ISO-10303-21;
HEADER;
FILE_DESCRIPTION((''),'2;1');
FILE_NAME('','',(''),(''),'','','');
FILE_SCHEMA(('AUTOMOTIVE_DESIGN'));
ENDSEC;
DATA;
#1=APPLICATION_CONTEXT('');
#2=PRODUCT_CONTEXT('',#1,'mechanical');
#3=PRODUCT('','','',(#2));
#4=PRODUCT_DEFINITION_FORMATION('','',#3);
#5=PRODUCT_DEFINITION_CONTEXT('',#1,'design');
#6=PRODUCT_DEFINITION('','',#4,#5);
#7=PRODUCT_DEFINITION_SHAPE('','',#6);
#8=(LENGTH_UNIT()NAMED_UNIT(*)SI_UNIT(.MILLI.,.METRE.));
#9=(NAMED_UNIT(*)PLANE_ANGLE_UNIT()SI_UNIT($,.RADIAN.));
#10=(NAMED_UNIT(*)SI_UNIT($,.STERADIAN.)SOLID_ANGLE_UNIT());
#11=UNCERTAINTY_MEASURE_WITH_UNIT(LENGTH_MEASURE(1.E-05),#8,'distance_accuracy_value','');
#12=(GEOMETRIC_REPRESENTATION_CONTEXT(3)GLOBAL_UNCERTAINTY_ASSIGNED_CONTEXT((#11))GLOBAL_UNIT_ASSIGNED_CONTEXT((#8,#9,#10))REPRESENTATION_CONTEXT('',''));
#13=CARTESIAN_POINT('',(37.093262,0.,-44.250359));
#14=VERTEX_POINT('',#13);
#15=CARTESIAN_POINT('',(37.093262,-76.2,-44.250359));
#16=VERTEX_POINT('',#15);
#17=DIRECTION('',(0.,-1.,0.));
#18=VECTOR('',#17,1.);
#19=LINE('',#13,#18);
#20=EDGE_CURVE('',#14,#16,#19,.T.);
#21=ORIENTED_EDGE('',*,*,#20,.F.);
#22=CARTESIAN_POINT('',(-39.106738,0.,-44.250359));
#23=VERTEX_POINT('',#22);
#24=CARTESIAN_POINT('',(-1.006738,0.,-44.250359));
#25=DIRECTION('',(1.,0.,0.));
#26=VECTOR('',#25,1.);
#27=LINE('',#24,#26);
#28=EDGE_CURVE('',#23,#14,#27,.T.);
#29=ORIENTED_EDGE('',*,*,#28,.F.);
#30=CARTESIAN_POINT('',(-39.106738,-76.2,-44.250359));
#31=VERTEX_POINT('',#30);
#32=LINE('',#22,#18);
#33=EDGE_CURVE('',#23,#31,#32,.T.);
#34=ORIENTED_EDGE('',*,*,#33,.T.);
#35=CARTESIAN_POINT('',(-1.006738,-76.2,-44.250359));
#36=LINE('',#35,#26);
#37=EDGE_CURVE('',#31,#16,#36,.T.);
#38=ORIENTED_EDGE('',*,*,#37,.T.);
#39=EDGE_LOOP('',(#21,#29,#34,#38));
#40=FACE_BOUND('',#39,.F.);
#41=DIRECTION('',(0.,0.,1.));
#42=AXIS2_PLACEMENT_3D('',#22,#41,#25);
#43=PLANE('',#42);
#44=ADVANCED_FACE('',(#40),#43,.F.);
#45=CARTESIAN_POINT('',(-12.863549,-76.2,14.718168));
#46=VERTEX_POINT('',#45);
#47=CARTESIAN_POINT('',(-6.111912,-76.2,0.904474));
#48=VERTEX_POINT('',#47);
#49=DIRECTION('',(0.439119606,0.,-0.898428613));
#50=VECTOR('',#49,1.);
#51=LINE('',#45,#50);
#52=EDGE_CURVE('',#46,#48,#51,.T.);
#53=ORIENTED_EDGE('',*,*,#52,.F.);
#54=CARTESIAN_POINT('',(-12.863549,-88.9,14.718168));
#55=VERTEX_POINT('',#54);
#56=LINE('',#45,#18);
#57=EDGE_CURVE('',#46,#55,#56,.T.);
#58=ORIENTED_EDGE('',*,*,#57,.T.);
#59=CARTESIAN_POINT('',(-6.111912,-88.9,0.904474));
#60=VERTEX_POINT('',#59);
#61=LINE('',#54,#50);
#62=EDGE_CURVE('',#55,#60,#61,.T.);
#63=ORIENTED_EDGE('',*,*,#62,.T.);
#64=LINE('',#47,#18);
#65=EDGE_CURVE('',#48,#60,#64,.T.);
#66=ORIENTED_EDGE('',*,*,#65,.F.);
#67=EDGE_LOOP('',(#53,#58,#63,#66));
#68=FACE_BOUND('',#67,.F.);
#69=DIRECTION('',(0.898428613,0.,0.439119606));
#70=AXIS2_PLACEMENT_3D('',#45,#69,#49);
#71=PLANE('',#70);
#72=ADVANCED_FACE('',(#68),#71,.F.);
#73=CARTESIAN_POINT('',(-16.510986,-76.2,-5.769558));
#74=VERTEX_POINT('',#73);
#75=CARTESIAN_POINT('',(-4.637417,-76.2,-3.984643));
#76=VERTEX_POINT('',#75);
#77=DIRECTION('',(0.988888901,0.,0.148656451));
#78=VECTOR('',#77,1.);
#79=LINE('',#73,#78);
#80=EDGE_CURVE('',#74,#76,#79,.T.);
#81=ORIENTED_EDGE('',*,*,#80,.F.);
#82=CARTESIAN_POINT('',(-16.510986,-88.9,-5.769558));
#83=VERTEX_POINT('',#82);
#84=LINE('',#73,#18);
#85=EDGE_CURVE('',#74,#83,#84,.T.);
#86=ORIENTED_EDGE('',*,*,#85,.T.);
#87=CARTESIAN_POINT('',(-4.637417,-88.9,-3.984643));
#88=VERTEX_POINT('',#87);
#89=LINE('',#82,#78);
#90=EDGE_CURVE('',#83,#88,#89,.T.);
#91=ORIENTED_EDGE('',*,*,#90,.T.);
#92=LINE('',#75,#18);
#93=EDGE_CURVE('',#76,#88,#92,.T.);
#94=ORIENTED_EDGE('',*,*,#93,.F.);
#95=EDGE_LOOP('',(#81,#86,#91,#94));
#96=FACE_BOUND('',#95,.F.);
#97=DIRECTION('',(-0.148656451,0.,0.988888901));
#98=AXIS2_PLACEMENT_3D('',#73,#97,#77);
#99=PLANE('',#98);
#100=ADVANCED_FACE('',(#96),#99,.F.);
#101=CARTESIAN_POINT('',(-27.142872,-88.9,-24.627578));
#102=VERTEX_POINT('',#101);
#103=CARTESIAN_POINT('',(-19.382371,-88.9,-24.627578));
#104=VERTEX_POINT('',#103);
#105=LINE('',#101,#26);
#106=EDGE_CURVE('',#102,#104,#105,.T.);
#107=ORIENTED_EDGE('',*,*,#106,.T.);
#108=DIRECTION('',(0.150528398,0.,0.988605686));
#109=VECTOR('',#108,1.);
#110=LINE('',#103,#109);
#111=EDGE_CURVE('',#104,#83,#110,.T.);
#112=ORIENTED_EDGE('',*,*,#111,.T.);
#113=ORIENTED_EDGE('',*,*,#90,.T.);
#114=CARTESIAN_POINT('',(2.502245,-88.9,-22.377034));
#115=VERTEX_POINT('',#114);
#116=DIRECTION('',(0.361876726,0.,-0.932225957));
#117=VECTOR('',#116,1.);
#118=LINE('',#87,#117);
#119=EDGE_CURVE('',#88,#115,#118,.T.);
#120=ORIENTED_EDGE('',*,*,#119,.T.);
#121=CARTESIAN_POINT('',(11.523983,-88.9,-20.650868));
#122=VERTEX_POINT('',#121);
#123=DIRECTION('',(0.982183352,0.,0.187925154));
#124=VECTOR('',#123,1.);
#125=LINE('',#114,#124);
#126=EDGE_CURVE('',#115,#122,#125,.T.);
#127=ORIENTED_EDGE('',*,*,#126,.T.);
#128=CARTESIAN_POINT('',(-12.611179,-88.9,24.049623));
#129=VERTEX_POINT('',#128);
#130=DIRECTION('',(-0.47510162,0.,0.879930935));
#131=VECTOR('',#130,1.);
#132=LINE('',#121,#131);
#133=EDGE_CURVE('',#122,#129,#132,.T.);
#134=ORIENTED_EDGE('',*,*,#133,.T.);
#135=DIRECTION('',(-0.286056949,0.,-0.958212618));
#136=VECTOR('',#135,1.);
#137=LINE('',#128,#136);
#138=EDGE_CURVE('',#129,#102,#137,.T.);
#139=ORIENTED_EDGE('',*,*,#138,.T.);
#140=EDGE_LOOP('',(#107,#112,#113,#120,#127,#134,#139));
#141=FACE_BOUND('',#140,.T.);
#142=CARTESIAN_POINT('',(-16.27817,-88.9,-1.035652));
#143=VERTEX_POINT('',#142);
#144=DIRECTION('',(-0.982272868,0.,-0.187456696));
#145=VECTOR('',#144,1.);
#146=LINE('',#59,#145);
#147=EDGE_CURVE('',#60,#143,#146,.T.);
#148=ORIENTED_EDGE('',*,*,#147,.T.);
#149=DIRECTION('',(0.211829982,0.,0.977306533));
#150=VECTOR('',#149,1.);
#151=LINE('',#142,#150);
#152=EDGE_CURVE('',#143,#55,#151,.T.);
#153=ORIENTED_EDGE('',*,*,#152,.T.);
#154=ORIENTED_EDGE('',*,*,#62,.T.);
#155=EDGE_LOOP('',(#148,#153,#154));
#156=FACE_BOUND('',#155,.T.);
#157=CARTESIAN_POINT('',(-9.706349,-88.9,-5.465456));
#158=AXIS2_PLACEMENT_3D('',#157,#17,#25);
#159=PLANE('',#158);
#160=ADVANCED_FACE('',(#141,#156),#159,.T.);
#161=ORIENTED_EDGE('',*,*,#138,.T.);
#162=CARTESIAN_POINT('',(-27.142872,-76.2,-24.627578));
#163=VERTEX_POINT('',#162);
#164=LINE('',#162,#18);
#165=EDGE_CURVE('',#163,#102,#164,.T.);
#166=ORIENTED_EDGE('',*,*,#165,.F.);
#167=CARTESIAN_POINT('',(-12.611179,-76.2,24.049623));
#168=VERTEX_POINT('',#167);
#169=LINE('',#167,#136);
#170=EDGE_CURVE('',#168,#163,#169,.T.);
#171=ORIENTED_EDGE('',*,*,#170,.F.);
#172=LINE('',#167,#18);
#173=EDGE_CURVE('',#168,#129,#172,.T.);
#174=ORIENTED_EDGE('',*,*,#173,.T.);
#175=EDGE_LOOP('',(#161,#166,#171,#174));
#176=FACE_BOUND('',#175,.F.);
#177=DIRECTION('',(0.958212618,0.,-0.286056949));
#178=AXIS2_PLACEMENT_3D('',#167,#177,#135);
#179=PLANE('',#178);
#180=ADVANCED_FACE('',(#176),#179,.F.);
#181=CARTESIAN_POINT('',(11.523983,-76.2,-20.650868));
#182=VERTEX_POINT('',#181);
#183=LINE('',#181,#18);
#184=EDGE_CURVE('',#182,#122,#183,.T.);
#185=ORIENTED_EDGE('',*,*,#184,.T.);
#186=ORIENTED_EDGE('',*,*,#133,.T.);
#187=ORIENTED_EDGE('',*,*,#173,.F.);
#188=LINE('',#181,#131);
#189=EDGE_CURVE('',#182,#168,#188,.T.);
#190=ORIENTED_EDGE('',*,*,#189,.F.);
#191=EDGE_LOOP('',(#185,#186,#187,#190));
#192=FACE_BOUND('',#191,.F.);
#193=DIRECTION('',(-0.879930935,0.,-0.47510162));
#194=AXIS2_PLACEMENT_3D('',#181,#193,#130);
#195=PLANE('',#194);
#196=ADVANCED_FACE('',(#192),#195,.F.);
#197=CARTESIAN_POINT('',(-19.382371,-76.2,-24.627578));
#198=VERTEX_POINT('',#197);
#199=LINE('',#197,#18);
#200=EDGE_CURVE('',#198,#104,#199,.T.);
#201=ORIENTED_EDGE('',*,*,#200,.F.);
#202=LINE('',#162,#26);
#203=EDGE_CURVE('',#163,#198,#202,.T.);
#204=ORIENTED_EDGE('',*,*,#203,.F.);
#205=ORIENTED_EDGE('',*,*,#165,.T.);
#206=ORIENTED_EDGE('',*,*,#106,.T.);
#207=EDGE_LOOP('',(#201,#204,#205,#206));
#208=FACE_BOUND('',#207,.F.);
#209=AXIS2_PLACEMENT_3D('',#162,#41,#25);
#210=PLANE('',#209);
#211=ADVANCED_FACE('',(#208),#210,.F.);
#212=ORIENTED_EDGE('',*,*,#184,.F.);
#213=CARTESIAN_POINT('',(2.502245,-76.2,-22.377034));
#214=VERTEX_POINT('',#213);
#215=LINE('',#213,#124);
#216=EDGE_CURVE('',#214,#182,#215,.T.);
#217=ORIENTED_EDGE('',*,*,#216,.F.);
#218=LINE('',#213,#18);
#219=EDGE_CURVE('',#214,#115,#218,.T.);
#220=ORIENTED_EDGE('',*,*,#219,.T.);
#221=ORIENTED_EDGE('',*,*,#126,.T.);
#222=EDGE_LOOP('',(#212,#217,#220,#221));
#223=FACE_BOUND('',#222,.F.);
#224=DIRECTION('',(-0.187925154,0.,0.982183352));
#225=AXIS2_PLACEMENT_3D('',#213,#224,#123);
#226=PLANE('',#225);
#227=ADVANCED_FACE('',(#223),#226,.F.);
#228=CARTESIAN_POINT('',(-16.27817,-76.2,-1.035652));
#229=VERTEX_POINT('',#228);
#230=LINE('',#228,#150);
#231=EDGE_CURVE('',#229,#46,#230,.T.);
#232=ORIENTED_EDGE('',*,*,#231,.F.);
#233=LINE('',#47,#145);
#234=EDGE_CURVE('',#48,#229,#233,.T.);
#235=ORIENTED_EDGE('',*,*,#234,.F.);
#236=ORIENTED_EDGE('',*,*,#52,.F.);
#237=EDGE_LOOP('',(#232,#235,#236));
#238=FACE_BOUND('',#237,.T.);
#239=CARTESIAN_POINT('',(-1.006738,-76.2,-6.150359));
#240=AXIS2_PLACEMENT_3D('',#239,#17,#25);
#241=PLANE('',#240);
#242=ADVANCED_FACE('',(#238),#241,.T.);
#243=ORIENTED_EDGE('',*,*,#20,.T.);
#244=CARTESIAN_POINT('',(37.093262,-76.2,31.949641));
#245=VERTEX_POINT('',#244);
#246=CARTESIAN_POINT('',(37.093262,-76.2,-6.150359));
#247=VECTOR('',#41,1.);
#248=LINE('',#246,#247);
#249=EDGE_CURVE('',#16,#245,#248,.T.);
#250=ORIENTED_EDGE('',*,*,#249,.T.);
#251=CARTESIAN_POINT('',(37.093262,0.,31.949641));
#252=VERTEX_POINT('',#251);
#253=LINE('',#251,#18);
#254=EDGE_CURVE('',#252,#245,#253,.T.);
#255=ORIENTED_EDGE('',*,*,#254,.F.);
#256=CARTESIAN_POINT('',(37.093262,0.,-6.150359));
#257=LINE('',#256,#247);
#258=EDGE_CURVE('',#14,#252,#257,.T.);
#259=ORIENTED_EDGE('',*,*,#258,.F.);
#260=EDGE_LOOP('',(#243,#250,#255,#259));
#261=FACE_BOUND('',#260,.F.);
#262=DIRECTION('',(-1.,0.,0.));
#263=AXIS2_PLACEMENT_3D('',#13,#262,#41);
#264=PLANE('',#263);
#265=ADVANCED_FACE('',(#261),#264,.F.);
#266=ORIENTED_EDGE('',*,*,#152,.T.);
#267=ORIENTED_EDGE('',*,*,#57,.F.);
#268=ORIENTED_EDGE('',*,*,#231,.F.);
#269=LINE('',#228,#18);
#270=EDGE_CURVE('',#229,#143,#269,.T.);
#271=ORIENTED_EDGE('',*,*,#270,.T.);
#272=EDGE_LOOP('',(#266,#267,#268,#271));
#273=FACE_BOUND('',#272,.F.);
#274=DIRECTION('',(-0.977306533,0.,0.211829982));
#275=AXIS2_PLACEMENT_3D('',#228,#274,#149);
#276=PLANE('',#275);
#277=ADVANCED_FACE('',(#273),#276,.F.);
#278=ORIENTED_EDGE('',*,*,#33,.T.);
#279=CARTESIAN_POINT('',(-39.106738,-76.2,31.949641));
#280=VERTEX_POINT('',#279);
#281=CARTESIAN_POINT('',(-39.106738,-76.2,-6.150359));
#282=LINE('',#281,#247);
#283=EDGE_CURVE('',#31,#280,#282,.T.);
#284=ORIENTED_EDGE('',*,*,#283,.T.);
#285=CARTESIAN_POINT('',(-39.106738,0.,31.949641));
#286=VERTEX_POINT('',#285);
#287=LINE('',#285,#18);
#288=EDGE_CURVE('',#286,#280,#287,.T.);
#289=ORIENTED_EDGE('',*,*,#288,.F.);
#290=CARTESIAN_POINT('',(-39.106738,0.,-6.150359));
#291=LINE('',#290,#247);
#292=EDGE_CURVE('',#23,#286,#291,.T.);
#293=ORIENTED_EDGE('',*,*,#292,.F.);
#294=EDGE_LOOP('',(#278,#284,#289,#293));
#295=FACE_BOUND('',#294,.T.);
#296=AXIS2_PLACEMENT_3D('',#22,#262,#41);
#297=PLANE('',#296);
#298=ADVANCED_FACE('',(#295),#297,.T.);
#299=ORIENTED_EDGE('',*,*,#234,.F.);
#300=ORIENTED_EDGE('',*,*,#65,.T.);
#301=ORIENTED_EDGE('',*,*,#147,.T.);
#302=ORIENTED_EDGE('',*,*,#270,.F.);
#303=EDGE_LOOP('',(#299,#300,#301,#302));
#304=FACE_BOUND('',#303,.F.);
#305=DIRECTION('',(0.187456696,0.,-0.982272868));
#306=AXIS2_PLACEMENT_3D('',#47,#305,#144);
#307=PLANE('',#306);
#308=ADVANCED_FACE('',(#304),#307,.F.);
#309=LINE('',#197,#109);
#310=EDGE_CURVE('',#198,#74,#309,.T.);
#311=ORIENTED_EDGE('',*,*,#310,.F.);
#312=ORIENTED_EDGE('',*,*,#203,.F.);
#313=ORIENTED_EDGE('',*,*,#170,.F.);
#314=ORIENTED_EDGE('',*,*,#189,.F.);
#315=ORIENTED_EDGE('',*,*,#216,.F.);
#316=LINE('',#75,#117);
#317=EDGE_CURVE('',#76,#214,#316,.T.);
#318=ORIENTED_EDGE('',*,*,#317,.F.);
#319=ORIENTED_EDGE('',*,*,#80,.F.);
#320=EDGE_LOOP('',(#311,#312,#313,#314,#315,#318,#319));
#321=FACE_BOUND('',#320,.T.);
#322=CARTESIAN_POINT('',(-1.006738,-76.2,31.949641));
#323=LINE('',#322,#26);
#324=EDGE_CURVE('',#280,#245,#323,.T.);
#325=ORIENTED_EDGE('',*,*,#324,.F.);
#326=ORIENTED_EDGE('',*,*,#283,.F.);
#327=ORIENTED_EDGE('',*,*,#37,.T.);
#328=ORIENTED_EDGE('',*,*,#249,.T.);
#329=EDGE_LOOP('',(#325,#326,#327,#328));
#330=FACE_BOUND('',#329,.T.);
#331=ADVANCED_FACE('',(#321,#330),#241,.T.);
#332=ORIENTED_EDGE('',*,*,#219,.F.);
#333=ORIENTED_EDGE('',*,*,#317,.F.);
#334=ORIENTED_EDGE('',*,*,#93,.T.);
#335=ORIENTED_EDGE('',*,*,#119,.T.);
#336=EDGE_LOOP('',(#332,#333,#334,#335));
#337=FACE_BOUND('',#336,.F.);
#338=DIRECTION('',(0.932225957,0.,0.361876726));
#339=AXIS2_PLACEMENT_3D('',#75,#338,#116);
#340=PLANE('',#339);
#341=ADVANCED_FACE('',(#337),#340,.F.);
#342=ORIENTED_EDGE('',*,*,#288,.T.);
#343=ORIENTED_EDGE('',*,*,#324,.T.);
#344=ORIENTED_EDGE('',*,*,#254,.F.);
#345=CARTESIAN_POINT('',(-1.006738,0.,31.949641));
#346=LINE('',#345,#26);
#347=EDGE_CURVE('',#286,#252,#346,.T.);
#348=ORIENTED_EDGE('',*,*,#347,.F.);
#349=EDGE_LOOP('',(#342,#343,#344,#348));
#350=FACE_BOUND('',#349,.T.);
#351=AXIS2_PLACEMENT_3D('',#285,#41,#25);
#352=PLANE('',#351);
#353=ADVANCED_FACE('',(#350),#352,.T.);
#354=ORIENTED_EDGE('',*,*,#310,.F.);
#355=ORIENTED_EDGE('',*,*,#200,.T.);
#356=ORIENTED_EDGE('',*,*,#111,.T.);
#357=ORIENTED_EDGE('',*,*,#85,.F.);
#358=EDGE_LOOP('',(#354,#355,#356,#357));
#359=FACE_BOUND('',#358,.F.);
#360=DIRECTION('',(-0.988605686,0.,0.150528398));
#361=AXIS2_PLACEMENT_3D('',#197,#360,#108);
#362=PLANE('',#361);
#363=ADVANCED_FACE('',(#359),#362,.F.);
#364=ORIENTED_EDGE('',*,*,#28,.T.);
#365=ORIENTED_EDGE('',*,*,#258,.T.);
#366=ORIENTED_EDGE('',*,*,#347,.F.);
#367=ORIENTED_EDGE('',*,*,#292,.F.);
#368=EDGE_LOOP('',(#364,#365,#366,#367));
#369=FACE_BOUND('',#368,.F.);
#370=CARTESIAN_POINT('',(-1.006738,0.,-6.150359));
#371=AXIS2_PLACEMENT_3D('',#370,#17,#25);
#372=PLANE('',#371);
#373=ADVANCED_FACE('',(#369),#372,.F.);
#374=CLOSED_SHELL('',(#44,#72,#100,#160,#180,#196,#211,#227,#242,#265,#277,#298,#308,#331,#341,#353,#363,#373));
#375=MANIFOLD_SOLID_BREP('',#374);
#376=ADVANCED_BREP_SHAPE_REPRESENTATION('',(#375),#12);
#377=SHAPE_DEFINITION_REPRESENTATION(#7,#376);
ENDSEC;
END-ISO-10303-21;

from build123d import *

# Parameters (mm, degrees)
F0_W     = 76.2
F0_H     = 76.2
F1_DEPTH = 76.2
F3_DEPTH = 12.7


with BuildPart() as f1:
    # F0 (on Front) → F1 (new body)
    with BuildSketch(Plane.XZ):
        with Locations((-1.006738, -6.150359)):
            Rectangle(F0_W, F0_H)
    extrude(amount=F1_DEPTH)

    # F2 (on face) → F3 (join)
    with BuildSketch(Plane.XZ.offset(76.2)):
        Polygon((-12.611179, 24.049623), (-27.142872, -24.627578), (-19.382371, -24.627578), (-16.510986, -5.769558), (-4.637417, -3.984643), (2.502245, -22.377034), (11.523983, -20.650868), align=None)
        Polygon((-6.111912, 0.904474), (-16.27817, -1.035652), (-12.863549, 14.718168), align=None, mode=Mode.SUBTRACT)
    extrude(amount=F3_DEPTH)


solid = f1.part
